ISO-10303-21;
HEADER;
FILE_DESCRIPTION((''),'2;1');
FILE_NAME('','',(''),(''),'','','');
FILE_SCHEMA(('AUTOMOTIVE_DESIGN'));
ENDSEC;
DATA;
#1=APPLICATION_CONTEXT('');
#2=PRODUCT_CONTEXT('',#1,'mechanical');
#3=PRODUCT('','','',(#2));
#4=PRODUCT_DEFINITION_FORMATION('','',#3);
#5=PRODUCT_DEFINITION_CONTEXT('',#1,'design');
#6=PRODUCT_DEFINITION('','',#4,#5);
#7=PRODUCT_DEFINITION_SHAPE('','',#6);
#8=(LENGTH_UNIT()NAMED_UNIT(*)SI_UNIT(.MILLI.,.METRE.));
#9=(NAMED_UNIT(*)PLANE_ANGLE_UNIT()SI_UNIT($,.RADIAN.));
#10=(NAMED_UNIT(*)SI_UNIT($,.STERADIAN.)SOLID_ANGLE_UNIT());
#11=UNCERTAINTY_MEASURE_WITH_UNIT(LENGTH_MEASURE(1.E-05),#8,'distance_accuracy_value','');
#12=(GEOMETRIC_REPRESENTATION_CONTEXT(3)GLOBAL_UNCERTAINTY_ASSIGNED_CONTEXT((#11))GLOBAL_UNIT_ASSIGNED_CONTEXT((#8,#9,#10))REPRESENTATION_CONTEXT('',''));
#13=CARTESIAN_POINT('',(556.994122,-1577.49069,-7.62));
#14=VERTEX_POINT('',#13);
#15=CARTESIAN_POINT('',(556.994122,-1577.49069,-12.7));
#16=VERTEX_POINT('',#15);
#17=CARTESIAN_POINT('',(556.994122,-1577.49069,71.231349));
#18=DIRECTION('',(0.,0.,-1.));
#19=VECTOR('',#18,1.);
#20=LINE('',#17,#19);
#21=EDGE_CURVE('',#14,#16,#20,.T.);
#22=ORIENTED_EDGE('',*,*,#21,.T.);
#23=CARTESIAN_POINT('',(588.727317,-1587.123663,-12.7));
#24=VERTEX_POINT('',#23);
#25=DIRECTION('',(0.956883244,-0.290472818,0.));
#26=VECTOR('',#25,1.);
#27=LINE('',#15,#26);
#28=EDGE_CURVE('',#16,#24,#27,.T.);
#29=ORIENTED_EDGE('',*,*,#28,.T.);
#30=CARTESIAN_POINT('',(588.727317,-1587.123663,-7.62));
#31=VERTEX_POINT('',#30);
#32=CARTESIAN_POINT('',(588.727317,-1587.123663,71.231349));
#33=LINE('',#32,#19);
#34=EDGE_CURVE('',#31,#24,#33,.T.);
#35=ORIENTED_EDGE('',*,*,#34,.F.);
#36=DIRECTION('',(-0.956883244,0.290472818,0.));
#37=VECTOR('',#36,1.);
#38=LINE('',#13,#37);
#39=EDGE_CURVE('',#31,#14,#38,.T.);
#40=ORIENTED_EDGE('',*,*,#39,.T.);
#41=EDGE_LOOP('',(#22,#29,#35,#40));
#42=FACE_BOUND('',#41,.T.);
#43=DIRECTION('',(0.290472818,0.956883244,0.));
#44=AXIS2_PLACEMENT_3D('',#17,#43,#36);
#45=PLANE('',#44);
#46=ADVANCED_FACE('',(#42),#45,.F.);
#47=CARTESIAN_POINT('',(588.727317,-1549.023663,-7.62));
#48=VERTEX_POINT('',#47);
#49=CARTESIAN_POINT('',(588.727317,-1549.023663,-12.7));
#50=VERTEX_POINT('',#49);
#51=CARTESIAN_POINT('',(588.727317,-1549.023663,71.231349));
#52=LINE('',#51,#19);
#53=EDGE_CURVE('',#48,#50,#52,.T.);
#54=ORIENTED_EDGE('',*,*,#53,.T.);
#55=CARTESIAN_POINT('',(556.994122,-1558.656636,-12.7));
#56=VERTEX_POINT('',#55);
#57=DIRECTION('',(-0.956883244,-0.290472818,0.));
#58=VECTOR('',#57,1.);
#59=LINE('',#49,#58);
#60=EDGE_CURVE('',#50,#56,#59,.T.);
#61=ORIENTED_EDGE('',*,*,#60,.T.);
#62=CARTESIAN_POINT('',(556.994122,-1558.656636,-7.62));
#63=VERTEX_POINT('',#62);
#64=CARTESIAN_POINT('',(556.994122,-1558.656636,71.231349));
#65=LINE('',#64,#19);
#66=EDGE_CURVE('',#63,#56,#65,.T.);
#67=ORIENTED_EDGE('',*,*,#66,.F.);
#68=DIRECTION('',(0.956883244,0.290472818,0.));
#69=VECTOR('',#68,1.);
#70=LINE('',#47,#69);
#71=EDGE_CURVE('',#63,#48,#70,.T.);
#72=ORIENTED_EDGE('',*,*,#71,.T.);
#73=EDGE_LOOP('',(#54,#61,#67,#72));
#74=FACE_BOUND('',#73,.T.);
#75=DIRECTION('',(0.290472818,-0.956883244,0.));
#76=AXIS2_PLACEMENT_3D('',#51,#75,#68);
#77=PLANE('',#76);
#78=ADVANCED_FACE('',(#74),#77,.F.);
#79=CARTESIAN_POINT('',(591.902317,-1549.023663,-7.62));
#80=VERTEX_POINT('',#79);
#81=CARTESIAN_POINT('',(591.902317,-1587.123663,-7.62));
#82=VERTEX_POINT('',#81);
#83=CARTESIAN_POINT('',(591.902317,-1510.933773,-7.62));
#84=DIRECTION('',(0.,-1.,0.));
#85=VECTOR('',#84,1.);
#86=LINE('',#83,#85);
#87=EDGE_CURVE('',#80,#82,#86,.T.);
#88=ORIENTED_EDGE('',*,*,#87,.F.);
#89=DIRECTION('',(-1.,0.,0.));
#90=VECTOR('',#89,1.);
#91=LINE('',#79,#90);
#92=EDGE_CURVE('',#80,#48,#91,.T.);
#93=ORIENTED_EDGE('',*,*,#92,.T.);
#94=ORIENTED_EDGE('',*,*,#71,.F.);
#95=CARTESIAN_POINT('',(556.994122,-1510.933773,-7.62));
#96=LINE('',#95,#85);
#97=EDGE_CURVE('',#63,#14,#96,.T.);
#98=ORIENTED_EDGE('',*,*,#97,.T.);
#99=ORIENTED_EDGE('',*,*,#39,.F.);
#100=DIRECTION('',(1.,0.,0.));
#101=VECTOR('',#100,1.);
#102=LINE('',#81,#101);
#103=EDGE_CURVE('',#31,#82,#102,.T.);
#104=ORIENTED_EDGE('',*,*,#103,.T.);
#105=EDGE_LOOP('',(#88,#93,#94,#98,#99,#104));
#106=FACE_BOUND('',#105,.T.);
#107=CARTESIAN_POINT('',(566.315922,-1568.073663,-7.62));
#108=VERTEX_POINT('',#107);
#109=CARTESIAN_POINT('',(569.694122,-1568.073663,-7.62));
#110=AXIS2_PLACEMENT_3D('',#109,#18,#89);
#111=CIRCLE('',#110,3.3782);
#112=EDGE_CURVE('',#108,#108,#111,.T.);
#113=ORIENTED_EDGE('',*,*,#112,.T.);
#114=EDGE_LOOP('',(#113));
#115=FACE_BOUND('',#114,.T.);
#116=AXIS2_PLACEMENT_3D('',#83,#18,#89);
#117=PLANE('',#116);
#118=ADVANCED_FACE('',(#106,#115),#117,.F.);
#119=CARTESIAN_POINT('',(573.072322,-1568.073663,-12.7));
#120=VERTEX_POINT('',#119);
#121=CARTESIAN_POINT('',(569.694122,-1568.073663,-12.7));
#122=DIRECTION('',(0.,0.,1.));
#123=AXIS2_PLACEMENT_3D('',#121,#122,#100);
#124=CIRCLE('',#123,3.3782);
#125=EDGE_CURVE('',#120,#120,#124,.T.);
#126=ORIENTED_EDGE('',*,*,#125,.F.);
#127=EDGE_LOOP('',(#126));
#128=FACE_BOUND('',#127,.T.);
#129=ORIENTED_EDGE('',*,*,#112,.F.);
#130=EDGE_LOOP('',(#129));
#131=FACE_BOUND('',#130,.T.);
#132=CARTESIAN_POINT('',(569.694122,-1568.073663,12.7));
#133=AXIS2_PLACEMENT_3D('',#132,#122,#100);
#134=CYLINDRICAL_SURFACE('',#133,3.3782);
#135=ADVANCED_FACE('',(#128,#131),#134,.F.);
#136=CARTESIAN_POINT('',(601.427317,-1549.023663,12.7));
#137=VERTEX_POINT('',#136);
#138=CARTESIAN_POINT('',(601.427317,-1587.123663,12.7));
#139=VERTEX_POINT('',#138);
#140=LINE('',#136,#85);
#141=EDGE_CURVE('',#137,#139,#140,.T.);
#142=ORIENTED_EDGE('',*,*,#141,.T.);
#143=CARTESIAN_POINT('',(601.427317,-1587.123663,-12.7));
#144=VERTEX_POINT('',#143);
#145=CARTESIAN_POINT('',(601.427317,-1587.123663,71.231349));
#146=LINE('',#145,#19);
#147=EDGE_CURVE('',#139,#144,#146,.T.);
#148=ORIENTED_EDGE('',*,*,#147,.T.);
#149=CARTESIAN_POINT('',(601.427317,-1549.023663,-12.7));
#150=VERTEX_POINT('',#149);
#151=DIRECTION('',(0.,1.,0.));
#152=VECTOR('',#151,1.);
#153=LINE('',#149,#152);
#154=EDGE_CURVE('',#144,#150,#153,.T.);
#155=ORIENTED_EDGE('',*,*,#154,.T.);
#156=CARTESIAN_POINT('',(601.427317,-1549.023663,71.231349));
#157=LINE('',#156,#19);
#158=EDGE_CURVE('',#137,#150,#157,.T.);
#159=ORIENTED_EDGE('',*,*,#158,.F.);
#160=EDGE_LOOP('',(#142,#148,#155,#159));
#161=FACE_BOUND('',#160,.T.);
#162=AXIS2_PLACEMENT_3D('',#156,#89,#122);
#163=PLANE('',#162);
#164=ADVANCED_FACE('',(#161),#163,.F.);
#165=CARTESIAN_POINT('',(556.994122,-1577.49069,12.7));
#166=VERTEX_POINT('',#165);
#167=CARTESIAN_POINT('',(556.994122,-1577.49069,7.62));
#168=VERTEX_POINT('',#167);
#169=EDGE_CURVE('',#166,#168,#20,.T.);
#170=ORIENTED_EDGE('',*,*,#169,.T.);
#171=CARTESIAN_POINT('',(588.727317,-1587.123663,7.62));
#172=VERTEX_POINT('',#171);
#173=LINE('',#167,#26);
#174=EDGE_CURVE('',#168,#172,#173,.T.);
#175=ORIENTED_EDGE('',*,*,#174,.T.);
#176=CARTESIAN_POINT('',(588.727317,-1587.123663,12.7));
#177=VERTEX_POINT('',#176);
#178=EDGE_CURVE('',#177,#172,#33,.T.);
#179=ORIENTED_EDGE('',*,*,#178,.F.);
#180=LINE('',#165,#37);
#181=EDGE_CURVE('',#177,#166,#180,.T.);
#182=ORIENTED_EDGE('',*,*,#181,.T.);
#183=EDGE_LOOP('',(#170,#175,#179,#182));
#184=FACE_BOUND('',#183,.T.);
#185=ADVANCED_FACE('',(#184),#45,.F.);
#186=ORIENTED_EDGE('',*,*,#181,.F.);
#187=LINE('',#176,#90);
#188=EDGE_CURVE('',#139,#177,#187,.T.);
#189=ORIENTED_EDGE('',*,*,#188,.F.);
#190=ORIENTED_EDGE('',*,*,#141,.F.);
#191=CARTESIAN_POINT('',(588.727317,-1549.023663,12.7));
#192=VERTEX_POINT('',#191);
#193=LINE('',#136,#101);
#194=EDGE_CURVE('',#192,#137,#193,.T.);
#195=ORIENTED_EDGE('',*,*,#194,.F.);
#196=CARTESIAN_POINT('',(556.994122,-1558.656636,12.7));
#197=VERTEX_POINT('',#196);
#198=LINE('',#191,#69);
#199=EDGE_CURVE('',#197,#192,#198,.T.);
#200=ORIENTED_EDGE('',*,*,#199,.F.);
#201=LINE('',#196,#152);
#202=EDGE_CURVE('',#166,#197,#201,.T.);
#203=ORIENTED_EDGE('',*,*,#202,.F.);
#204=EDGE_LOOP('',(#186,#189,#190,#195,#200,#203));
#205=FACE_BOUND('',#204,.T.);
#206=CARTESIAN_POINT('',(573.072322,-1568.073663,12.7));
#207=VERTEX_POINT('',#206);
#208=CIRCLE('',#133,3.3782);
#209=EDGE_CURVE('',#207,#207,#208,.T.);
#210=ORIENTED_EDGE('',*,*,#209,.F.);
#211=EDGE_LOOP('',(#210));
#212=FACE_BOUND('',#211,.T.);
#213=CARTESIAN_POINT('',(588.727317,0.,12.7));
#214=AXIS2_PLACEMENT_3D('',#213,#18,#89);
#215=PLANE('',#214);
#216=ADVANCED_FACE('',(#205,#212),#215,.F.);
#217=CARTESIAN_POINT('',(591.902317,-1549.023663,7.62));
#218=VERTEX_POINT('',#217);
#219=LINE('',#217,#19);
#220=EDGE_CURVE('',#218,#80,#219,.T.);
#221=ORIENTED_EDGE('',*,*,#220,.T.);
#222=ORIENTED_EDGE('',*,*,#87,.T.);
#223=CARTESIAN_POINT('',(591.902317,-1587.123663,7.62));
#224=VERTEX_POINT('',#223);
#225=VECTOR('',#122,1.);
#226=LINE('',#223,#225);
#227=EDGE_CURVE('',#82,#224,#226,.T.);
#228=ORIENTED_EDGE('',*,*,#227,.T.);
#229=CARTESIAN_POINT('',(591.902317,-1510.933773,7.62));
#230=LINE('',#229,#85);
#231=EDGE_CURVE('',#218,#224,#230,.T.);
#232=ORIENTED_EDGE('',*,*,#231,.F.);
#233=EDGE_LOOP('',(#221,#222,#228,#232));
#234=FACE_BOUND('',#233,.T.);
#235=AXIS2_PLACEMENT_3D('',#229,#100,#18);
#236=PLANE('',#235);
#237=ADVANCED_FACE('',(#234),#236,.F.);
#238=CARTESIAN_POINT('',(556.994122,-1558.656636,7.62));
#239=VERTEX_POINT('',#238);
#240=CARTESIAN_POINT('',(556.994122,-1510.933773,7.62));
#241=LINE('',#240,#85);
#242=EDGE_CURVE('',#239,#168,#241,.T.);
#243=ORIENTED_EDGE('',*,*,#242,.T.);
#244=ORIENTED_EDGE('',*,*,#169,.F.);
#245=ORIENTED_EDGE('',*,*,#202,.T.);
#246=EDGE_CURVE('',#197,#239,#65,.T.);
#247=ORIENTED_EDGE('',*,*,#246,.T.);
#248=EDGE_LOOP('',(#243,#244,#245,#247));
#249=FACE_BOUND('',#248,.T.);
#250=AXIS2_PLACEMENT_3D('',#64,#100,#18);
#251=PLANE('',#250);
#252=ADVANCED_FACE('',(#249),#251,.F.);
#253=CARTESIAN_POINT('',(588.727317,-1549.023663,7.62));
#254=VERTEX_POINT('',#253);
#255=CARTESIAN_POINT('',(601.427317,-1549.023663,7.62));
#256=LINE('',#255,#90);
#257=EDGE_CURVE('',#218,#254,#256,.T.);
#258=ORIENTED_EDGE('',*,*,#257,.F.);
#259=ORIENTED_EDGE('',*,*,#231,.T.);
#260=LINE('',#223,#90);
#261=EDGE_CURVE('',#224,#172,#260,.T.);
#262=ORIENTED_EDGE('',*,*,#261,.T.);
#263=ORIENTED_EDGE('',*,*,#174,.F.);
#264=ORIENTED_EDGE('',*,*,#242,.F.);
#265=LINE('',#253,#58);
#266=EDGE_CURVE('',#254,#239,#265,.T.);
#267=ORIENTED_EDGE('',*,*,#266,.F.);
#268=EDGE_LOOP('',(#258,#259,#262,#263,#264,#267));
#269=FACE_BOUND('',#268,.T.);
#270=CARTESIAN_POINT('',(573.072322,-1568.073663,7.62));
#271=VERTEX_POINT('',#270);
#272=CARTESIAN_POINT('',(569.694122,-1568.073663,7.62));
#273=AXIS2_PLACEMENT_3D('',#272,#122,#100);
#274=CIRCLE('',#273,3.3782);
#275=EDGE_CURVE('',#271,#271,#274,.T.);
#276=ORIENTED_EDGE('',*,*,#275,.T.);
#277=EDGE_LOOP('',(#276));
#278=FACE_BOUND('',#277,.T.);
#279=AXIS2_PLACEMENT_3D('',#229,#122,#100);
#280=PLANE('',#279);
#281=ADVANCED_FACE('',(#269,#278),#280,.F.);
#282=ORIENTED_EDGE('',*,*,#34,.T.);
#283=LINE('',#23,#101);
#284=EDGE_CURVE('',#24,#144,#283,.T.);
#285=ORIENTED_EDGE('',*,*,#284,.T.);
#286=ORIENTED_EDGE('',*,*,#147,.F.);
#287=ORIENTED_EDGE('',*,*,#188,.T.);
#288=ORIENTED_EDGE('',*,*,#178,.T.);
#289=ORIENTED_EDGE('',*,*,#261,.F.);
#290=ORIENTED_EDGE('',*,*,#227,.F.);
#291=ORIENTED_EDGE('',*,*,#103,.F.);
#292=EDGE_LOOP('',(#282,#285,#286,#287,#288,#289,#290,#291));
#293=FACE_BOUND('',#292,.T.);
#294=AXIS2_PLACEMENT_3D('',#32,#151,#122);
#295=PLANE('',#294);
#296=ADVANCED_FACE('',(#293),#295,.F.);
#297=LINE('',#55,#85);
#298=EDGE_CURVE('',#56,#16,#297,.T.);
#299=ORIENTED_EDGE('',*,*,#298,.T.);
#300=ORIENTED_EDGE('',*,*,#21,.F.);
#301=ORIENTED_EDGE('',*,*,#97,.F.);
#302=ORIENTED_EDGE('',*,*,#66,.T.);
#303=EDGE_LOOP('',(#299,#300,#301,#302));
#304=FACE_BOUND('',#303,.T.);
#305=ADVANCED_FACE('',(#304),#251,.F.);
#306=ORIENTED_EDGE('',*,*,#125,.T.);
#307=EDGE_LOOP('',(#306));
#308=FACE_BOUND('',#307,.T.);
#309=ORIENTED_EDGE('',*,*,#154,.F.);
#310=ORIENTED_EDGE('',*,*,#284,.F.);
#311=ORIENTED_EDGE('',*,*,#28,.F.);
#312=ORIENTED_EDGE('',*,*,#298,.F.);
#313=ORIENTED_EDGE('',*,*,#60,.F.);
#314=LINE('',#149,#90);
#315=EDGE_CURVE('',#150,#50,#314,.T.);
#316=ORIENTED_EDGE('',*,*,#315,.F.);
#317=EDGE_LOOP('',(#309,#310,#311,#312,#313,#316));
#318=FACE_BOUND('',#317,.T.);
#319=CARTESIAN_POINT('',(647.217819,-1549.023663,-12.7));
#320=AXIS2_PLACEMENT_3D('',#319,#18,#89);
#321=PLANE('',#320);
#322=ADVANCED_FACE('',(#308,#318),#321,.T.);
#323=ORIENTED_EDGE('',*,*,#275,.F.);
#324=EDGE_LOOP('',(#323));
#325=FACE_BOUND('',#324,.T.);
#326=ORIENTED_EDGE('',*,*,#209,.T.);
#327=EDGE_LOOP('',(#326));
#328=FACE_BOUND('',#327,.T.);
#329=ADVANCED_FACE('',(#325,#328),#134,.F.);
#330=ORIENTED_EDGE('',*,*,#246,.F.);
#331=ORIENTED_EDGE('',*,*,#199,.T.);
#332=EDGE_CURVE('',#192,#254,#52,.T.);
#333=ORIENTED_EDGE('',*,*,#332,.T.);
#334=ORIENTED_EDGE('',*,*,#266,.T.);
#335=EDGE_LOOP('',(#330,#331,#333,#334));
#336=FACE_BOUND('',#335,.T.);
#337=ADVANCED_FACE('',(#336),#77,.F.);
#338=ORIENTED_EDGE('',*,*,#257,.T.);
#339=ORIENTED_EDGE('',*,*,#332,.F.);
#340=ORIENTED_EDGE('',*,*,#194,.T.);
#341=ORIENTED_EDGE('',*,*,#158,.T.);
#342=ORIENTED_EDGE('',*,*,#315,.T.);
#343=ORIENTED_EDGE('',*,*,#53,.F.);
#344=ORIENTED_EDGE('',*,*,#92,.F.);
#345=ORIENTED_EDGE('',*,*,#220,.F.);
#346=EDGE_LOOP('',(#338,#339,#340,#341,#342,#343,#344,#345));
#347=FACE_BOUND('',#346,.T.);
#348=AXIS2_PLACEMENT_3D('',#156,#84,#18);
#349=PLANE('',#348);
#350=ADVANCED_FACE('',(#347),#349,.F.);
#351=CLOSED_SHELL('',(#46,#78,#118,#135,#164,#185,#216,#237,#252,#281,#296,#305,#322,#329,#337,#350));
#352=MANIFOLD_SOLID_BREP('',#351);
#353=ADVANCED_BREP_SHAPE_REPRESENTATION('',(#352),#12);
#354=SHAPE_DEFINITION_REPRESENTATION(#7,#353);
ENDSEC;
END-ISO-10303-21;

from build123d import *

# Parameters (mm, degrees)
BOSS_EXTRUDE1_DEPTH         = 12.7
BOSS_EXTRUDE1_DEPTH_BACK    = 12.7
SKETCH2_W                   = 34.908195051
SKETCH2_H                   = 15.24
CUT_EXTRUDE1_DEPTH          = 38.1
F_1_4_CLEARANCE_HOLE1_D     = 6.7564
F_1_4_CLEARANCE_HOLE1_DEPTH = 25.4
F_1_4_CLEARANCE_HOLE1_TIP   = 2.029827343


with BuildPart() as part:
    # Sketch1 → Boss-Extrude1 (new body, two sides)
    with BuildSketch(Plane.XY) as boss_extrude1_sk:
        Polygon((556.99412228, -1558.656635977), (556.99412228, -1577.490689714), (588.727317331, -1587.123662845), (601.427317331, -1587.123662845), (601.427317331, -1549.023662845), (588.727317331, -1549.023662845), align=None)
    extrude(amount=BOSS_EXTRUDE1_DEPTH)
    extrude(boss_extrude1_sk.sketch, amount=-BOSS_EXTRUDE1_DEPTH_BACK)

    # Sketch2 → Cut-Extrude1 (cut)
    with BuildSketch(Plane.XZ.offset(1587.123662845)):
        with Locations((574.448219806, 0)):
            Rectangle(SKETCH2_W, SKETCH2_H)
    extrude(amount=-CUT_EXTRUDE1_DEPTH, mode=Mode.SUBTRACT)

    # 1/4 Clearance Hole1
    with Locations(Plane.XY.offset(12.7)):
        with Locations((569.69412228, -1568.073662845)):
            Hole(F_1_4_CLEARANCE_HOLE1_D / 2, depth=F_1_4_CLEARANCE_HOLE1_DEPTH)
            with Locations((0, 0, -(F_1_4_CLEARANCE_HOLE1_DEPTH + F_1_4_CLEARANCE_HOLE1_TIP / 2))):  # 118° drill point
                Cone(0, F_1_4_CLEARANCE_HOLE1_D / 2, F_1_4_CLEARANCE_HOLE1_TIP, mode=Mode.SUBTRACT)


solid = part.part
